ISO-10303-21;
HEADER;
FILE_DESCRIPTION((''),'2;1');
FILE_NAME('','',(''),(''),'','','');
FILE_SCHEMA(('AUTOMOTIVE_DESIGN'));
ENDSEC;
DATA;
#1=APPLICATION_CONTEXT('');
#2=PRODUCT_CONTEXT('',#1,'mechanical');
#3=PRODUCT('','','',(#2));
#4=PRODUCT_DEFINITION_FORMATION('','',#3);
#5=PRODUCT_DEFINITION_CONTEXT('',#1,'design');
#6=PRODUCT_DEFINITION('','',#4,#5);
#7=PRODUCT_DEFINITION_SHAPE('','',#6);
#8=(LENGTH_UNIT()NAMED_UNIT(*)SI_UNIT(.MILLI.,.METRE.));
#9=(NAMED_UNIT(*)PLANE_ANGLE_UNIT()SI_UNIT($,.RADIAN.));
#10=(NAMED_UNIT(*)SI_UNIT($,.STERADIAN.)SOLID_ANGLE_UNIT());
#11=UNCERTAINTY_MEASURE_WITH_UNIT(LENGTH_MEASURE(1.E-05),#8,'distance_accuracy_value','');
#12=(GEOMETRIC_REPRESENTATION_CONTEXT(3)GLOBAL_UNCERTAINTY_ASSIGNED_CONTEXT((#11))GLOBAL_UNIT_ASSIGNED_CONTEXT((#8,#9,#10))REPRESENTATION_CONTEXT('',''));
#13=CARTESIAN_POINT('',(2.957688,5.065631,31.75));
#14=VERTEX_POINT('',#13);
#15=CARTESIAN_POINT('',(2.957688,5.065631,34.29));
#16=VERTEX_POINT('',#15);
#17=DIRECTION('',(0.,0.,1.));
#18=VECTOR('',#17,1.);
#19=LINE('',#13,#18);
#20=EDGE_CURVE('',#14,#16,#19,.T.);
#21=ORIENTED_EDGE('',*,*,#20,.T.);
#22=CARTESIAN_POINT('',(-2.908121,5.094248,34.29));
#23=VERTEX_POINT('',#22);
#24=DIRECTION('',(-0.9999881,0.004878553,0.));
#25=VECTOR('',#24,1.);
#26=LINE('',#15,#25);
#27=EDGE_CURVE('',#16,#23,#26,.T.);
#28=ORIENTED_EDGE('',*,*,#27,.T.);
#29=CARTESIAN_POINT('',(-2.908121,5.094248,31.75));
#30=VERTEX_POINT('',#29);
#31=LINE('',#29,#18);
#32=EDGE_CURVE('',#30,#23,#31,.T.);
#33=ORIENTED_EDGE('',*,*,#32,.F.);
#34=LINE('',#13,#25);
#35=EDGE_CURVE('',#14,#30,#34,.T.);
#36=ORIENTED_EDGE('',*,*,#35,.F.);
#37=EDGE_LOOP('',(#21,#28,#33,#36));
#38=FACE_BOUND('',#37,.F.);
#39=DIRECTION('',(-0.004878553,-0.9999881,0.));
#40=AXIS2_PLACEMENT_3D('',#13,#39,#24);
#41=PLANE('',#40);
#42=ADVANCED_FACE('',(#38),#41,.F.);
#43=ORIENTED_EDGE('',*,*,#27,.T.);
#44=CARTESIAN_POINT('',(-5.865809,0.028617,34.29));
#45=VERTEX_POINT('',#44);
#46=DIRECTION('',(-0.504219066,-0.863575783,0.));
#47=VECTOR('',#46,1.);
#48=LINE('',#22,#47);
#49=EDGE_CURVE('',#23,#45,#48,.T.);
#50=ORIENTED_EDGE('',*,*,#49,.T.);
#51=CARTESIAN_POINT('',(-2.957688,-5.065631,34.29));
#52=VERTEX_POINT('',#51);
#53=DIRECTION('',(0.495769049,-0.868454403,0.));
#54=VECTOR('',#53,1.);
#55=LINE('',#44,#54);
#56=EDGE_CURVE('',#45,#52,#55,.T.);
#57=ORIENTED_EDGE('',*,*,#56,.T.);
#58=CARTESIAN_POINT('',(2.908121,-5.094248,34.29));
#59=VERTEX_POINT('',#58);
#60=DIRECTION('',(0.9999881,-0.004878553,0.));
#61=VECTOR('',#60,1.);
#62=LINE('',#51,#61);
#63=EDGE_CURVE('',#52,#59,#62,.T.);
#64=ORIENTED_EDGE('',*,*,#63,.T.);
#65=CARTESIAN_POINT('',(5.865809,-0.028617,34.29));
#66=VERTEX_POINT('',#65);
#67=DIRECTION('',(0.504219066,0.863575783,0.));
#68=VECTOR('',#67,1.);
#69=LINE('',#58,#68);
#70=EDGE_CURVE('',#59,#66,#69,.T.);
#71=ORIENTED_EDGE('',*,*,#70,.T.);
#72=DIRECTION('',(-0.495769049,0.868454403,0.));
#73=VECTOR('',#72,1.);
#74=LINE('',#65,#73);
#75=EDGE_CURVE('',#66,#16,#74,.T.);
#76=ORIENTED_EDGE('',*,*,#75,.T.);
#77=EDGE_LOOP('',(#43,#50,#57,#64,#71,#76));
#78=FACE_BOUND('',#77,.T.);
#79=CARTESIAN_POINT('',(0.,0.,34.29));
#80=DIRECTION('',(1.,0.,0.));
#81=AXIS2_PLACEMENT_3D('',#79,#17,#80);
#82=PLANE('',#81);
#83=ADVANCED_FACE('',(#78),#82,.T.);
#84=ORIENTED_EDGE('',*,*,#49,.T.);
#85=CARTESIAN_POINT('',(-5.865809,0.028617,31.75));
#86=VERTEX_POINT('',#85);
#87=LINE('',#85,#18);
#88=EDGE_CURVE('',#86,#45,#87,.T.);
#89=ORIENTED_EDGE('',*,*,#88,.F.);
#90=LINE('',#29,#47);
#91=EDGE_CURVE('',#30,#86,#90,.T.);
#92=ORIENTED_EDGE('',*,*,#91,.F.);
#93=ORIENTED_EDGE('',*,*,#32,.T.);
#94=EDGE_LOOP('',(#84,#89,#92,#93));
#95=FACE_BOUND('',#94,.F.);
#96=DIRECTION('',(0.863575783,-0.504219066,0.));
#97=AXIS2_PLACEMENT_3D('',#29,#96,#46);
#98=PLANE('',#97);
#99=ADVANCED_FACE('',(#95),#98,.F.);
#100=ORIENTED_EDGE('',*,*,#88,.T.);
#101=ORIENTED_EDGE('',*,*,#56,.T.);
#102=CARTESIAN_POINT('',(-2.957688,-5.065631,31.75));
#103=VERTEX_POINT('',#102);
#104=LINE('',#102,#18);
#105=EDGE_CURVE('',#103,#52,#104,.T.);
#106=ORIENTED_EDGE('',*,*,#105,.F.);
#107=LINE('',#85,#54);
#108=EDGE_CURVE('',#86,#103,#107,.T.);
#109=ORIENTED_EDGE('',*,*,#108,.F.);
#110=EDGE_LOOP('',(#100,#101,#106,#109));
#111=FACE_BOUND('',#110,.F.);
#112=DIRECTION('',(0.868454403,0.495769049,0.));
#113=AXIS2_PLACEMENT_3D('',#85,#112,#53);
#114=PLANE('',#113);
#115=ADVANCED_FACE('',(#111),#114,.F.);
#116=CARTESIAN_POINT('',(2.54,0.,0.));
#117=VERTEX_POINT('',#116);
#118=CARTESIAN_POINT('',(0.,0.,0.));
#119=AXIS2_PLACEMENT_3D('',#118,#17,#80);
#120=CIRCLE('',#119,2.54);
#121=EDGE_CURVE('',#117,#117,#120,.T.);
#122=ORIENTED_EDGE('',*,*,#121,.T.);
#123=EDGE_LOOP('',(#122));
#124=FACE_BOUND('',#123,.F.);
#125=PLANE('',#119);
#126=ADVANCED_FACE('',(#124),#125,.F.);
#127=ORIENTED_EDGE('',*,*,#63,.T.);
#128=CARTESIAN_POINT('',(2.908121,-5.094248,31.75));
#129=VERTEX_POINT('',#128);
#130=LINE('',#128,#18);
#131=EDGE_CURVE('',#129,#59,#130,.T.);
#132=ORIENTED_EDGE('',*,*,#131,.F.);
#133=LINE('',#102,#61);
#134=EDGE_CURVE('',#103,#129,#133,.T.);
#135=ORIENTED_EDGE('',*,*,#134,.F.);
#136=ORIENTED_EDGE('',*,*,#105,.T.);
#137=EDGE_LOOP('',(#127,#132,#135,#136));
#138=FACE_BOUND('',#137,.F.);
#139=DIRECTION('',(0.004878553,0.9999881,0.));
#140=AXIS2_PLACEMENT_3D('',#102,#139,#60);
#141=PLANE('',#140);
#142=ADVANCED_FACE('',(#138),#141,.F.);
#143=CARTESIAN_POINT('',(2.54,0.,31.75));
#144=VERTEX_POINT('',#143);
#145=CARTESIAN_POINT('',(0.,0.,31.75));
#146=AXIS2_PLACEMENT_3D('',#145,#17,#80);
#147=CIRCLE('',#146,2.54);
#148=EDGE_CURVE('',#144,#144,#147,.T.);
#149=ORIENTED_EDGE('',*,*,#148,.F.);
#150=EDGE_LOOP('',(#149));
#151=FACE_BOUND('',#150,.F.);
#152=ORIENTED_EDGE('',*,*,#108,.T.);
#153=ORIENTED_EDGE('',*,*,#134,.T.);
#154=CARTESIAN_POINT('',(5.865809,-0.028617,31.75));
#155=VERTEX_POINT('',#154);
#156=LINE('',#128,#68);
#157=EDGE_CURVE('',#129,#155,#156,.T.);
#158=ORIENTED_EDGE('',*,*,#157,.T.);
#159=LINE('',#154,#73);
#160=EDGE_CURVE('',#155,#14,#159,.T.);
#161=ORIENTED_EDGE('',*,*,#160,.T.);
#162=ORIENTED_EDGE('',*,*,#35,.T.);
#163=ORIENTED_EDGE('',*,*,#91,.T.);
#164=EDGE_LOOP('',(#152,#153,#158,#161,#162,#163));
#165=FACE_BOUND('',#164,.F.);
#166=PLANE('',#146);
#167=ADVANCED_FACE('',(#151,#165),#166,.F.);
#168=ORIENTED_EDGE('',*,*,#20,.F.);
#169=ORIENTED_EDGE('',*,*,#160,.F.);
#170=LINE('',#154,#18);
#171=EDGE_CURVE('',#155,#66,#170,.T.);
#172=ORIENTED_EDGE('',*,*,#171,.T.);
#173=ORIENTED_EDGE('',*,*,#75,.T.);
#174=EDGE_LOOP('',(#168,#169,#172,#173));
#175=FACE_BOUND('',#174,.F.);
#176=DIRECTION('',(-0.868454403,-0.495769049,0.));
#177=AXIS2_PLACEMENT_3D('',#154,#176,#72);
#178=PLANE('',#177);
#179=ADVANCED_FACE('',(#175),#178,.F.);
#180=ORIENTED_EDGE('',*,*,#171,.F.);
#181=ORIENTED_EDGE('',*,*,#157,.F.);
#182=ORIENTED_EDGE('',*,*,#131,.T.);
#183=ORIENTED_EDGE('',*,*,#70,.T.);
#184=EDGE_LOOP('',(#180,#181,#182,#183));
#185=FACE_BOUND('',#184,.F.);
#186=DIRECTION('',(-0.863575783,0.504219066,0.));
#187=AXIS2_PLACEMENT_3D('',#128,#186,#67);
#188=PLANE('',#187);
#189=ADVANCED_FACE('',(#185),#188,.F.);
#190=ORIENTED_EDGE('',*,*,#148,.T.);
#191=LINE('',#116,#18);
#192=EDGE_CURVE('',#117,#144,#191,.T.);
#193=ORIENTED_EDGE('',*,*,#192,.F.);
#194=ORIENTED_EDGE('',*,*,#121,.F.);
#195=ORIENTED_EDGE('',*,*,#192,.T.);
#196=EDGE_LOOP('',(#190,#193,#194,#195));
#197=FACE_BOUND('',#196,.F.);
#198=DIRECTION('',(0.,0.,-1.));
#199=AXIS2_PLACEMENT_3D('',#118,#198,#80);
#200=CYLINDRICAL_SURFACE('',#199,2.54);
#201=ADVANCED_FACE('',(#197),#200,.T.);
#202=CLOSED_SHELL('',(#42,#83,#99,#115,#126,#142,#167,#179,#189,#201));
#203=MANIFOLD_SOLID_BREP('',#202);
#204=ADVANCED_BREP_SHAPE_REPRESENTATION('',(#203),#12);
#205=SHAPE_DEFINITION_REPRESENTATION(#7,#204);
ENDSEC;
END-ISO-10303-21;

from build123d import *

# Parameters (mm, degrees)
F0_R     = 2.54
F1_DEPTH = 31.75
F3_DEPTH = 2.54


with BuildPart() as f1:
    # F0 (on Top) → F1 (new body)
    with BuildSketch(Plane.XY):
        Circle(F0_R)
    extrude(amount=F1_DEPTH)

    # F2 (on face) → F3 (join)
    with BuildSketch(Plane.XY.offset(31.75)):
        Polygon((5.865809, -0.028617), (2.957688, 5.065631), (-2.908121, 5.094248), (-5.865809, 0.028617), (-2.957688, -5.065631), (2.908121, -5.094248), align=None)
    extrude(amount=F3_DEPTH)


solid = f1.part
